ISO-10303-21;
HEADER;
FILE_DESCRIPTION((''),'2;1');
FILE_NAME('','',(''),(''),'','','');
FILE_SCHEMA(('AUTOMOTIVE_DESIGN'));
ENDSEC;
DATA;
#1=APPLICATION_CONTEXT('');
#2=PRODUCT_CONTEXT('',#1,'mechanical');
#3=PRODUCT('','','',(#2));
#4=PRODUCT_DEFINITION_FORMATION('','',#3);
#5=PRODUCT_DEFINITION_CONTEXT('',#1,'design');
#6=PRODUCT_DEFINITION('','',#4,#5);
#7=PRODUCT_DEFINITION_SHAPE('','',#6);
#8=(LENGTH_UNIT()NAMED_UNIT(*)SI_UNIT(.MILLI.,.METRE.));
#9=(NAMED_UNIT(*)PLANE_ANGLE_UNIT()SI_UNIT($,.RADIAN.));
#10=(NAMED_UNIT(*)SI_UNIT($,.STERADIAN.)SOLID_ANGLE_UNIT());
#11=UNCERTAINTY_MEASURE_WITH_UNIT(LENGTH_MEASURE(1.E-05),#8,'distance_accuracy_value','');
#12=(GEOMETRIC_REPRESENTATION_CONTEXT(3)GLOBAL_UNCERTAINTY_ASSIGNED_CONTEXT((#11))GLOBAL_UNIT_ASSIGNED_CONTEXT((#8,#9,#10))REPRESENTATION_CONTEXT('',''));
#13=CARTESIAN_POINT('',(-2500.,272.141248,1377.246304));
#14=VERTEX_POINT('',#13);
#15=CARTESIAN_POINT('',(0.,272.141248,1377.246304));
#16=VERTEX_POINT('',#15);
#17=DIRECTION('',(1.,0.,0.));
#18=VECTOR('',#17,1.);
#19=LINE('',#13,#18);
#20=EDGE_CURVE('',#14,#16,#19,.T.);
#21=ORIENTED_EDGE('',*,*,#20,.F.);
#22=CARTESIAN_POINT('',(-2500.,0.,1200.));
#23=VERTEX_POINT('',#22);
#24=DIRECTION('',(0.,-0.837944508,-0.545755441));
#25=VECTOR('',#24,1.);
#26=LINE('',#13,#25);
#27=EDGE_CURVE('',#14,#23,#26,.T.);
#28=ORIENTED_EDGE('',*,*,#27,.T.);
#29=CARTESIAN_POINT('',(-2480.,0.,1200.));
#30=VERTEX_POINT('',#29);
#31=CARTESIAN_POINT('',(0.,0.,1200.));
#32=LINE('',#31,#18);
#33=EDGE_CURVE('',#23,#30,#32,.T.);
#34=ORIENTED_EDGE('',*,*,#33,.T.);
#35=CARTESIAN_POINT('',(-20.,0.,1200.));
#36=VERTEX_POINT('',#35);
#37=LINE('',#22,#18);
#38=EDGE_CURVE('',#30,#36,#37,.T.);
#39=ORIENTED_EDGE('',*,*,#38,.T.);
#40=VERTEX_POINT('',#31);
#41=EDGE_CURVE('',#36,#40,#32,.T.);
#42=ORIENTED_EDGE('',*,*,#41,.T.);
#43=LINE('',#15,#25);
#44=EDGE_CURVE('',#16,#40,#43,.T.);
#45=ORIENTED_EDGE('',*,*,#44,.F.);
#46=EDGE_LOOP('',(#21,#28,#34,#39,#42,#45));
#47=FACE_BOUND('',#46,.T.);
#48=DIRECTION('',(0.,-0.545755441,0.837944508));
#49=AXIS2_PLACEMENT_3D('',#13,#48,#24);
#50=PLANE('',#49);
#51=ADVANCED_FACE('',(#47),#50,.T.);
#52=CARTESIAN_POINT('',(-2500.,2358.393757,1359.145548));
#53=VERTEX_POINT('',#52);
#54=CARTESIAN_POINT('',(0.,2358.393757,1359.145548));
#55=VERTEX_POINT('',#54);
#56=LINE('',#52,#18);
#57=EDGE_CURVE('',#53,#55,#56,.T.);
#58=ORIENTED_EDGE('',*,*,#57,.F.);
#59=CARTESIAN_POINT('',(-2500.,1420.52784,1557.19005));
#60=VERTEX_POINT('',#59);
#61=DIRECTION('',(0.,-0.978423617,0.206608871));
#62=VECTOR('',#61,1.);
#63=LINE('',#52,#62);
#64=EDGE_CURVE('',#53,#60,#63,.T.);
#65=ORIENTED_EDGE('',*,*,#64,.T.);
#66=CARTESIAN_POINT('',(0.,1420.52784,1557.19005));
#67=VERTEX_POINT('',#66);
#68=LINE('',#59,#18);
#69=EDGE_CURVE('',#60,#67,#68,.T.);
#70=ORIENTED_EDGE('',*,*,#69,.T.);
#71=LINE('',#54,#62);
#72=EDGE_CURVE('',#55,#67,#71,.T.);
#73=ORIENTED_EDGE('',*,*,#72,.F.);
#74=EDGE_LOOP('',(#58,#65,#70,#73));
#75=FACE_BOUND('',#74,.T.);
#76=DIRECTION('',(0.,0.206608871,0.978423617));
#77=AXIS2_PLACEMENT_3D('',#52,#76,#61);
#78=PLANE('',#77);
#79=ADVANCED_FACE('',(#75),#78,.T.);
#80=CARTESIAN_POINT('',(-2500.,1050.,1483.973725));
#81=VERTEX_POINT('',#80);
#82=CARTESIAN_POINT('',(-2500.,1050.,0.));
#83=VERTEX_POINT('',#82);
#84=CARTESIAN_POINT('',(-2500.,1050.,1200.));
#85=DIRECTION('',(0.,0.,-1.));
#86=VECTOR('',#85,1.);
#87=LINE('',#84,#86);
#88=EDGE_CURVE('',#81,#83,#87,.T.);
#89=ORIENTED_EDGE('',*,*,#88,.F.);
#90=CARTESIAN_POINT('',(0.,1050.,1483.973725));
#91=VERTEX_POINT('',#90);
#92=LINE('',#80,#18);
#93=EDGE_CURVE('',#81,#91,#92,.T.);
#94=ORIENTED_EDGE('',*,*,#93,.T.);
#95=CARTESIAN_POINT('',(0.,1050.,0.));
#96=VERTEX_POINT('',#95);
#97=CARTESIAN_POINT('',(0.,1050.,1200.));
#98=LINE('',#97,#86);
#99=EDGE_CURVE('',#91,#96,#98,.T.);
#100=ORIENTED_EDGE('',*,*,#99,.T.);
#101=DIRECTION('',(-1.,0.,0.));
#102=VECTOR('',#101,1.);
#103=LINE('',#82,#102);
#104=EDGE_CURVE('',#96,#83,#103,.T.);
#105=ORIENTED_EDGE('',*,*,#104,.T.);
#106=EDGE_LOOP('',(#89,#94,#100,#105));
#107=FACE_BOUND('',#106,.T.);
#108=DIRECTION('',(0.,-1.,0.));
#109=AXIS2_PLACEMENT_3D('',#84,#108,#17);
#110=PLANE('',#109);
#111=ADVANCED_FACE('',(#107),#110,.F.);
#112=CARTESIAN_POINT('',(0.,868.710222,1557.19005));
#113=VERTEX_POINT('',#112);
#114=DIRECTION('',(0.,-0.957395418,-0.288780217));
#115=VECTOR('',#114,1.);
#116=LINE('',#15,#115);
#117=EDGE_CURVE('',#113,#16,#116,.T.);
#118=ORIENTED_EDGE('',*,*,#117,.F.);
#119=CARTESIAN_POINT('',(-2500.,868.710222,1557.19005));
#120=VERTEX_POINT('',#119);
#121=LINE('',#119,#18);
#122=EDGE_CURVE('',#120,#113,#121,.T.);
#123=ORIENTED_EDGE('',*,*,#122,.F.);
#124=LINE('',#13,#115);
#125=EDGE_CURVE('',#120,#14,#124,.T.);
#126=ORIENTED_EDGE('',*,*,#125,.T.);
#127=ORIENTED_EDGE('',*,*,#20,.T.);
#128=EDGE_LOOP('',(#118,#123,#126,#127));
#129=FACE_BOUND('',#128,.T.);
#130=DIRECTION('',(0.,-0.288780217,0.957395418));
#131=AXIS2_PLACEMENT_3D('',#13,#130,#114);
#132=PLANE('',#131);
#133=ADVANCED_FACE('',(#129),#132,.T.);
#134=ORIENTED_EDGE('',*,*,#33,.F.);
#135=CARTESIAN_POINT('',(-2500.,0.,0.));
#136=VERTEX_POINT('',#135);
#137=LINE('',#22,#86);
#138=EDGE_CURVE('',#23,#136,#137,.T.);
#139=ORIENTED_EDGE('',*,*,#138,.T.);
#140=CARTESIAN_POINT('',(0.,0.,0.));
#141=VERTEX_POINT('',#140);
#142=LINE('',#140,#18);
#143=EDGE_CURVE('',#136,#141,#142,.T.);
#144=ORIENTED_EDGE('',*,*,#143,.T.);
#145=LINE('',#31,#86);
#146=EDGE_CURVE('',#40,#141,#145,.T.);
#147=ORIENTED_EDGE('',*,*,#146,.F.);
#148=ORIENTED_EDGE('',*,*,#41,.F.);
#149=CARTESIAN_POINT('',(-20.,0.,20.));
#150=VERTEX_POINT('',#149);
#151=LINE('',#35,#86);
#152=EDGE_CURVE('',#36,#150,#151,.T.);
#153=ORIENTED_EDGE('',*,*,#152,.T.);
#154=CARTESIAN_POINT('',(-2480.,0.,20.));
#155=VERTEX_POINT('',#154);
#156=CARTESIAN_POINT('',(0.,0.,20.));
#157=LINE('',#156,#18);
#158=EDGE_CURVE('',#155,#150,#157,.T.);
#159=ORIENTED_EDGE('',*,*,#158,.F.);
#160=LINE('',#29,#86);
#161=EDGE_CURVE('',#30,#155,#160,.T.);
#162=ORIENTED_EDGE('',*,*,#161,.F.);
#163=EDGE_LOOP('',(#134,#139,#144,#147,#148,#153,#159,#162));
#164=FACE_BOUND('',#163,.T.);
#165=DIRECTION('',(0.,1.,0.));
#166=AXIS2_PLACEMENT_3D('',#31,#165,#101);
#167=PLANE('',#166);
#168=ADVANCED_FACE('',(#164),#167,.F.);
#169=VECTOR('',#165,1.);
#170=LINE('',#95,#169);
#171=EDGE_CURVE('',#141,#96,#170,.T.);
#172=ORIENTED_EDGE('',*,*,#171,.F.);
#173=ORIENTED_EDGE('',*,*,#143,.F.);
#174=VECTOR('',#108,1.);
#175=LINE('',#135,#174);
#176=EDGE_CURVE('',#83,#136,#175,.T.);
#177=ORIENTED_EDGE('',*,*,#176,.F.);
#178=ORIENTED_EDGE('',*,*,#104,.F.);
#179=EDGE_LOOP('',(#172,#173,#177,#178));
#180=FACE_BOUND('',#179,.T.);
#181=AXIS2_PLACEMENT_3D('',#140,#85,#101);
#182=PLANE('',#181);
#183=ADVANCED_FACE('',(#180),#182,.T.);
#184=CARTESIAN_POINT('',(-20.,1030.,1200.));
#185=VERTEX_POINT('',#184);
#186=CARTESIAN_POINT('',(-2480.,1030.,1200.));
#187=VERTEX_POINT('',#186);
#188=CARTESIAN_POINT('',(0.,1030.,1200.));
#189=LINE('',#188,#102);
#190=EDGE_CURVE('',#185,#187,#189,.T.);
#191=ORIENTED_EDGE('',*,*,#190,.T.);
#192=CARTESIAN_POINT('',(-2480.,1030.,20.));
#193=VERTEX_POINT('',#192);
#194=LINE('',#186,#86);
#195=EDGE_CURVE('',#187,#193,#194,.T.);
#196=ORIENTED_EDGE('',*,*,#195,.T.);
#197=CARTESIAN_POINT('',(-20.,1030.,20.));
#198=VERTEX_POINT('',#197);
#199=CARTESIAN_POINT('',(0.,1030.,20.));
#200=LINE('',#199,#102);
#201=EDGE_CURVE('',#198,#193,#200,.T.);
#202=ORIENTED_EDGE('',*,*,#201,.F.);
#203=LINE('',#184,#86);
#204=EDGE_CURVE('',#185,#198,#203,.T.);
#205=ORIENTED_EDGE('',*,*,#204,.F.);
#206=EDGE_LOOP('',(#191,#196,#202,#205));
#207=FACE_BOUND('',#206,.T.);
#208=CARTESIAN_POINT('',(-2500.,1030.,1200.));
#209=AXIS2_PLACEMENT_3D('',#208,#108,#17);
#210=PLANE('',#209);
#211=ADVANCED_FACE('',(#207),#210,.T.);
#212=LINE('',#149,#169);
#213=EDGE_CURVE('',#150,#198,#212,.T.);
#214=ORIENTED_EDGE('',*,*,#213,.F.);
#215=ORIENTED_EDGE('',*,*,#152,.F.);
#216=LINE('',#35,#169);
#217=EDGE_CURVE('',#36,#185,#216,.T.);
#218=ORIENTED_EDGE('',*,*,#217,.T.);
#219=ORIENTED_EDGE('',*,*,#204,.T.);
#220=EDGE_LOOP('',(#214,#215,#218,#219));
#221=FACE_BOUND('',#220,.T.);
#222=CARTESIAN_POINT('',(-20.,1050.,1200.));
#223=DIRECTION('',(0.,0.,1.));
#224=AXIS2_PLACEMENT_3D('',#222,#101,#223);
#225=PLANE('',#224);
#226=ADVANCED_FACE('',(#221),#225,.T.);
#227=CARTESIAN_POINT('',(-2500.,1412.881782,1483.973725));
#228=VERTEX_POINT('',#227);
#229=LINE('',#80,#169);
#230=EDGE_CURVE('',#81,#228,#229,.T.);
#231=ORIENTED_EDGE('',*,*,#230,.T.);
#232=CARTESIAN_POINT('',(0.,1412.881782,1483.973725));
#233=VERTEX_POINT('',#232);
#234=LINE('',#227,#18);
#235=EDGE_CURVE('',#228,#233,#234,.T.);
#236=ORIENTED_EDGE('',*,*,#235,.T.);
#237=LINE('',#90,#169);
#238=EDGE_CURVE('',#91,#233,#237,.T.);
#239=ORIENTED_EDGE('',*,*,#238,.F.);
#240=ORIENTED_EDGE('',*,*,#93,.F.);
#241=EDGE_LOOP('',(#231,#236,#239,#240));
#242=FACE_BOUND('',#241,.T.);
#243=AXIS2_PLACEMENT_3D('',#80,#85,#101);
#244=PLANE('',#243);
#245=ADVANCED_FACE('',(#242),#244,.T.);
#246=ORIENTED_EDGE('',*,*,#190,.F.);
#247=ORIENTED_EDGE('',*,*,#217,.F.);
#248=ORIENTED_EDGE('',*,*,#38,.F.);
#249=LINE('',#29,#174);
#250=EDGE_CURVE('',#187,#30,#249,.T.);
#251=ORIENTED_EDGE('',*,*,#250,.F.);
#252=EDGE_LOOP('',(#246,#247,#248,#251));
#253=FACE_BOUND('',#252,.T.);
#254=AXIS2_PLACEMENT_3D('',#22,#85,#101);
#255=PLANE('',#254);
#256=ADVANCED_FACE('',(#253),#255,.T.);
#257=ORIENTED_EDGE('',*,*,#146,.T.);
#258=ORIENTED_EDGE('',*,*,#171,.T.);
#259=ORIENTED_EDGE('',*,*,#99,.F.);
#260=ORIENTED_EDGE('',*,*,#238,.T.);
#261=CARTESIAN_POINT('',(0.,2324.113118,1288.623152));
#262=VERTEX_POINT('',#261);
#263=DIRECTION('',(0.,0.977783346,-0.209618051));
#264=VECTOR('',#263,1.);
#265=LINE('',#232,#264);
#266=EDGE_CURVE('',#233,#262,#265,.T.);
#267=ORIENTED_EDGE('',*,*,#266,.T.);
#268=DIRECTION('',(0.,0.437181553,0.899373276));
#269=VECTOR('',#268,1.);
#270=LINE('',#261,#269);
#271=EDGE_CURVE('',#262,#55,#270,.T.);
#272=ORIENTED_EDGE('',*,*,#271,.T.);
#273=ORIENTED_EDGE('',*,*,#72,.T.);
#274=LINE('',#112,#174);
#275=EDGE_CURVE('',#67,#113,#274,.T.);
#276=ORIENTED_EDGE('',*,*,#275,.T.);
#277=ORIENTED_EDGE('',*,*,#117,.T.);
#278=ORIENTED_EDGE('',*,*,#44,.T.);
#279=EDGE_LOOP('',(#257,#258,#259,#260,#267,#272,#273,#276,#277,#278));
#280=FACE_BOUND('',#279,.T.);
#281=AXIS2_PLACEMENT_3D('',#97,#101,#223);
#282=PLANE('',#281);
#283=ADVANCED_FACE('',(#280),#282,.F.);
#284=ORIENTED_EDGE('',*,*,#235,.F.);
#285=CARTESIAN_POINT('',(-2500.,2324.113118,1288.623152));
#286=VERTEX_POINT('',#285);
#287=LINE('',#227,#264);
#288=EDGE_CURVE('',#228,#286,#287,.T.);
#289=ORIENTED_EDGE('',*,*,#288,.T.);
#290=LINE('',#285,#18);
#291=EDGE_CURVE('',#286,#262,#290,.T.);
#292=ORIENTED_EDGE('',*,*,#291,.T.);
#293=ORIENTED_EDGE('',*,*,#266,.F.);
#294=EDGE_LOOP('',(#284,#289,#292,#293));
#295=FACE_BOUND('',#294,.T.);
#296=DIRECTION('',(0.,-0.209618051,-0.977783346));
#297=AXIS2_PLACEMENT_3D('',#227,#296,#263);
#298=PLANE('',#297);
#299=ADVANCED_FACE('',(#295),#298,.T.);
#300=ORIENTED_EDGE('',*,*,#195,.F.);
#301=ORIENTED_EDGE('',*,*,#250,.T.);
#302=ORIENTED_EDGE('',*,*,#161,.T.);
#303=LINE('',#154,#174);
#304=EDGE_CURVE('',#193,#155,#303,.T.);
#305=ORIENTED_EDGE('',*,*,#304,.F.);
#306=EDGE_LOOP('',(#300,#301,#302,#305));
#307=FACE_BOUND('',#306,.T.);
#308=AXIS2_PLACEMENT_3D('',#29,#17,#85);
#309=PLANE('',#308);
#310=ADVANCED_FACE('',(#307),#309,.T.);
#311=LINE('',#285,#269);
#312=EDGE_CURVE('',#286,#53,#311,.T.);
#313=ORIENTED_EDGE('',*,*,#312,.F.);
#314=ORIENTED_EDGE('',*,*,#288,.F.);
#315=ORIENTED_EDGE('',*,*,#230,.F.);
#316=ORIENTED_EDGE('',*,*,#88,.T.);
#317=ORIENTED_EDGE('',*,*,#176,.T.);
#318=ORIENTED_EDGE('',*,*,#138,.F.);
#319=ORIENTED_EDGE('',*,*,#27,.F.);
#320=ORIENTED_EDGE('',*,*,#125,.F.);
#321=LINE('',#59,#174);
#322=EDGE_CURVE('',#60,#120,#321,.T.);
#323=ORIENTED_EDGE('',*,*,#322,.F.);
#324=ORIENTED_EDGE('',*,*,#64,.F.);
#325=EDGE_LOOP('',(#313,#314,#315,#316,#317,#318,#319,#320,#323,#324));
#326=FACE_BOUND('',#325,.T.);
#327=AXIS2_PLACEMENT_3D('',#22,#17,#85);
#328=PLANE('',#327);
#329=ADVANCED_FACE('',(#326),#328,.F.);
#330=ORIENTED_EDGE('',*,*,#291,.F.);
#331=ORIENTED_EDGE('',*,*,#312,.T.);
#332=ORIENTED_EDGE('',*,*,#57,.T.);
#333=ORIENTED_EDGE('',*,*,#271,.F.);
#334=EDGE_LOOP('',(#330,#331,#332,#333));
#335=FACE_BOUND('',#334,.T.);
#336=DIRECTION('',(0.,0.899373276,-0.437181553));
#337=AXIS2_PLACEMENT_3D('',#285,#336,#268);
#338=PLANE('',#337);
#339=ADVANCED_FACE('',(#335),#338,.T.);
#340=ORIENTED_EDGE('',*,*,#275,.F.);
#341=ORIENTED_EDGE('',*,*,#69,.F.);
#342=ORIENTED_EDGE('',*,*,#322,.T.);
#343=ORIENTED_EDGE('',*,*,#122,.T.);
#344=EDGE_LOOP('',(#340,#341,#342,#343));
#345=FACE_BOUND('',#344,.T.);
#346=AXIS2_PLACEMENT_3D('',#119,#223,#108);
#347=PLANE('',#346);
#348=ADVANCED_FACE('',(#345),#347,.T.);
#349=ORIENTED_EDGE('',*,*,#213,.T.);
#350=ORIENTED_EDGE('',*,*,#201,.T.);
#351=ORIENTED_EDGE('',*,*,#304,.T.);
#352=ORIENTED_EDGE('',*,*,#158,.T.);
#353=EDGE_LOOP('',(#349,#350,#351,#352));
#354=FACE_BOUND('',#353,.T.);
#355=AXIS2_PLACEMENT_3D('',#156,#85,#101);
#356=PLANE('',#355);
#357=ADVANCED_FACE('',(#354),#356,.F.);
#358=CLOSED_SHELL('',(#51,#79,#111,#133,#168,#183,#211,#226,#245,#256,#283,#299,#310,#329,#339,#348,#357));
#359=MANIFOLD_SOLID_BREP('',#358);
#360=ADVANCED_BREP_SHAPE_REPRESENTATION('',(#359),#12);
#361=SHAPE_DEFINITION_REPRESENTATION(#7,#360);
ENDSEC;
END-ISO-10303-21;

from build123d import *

# Parameters (mm, degrees)
SKETCH1_W           = 2500
SKETCH1_H           = 1050
BOSS_EXTRUDE1_DEPTH = 1200
SHELL2_T            = -20
BOSS_EXTRUDE2_DEPTH = 2500


with BuildPart() as part:
    # Sketch1 → Boss-Extrude1 (new body)
    with BuildSketch(Plane.XY):
        with Locations((-1250, 525)):
            Rectangle(SKETCH1_W, SKETCH1_H)
    extrude(amount=BOSS_EXTRUDE1_DEPTH)

    # Shell2
    shell2_openings = [part.faces().sort_by_distance(p)[0] for p in [
        (-1250, 525, 1200),
        (-1250, 0, 600),
    ]]
    offset(amount=SHELL2_T, openings=shell2_openings, kind=Kind.INTERSECTION)

    # Sketch2 → Boss-Extrude2 (add)
    with BuildSketch(Plane(origin=(0, 0, 0), x_dir=(0, 0, -1), z_dir=(1, 0, 0))):
        Polygon((-1200, 1050), (-1483.973725, 1050), (-1483.973725, 1412.881782165), (-1288.623152026, 2324.113117687), (-1359.145547993, 2358.393756698), (-1557.190049739, 1420.527840387), (-1557.190049739, 1050), (-1557.190049739, 868.710221607), (-1377.246304053, 272.141248376), (-1200, 0), align=None)
    extrude(amount=-BOSS_EXTRUDE2_DEPTH)


solid = part.part
